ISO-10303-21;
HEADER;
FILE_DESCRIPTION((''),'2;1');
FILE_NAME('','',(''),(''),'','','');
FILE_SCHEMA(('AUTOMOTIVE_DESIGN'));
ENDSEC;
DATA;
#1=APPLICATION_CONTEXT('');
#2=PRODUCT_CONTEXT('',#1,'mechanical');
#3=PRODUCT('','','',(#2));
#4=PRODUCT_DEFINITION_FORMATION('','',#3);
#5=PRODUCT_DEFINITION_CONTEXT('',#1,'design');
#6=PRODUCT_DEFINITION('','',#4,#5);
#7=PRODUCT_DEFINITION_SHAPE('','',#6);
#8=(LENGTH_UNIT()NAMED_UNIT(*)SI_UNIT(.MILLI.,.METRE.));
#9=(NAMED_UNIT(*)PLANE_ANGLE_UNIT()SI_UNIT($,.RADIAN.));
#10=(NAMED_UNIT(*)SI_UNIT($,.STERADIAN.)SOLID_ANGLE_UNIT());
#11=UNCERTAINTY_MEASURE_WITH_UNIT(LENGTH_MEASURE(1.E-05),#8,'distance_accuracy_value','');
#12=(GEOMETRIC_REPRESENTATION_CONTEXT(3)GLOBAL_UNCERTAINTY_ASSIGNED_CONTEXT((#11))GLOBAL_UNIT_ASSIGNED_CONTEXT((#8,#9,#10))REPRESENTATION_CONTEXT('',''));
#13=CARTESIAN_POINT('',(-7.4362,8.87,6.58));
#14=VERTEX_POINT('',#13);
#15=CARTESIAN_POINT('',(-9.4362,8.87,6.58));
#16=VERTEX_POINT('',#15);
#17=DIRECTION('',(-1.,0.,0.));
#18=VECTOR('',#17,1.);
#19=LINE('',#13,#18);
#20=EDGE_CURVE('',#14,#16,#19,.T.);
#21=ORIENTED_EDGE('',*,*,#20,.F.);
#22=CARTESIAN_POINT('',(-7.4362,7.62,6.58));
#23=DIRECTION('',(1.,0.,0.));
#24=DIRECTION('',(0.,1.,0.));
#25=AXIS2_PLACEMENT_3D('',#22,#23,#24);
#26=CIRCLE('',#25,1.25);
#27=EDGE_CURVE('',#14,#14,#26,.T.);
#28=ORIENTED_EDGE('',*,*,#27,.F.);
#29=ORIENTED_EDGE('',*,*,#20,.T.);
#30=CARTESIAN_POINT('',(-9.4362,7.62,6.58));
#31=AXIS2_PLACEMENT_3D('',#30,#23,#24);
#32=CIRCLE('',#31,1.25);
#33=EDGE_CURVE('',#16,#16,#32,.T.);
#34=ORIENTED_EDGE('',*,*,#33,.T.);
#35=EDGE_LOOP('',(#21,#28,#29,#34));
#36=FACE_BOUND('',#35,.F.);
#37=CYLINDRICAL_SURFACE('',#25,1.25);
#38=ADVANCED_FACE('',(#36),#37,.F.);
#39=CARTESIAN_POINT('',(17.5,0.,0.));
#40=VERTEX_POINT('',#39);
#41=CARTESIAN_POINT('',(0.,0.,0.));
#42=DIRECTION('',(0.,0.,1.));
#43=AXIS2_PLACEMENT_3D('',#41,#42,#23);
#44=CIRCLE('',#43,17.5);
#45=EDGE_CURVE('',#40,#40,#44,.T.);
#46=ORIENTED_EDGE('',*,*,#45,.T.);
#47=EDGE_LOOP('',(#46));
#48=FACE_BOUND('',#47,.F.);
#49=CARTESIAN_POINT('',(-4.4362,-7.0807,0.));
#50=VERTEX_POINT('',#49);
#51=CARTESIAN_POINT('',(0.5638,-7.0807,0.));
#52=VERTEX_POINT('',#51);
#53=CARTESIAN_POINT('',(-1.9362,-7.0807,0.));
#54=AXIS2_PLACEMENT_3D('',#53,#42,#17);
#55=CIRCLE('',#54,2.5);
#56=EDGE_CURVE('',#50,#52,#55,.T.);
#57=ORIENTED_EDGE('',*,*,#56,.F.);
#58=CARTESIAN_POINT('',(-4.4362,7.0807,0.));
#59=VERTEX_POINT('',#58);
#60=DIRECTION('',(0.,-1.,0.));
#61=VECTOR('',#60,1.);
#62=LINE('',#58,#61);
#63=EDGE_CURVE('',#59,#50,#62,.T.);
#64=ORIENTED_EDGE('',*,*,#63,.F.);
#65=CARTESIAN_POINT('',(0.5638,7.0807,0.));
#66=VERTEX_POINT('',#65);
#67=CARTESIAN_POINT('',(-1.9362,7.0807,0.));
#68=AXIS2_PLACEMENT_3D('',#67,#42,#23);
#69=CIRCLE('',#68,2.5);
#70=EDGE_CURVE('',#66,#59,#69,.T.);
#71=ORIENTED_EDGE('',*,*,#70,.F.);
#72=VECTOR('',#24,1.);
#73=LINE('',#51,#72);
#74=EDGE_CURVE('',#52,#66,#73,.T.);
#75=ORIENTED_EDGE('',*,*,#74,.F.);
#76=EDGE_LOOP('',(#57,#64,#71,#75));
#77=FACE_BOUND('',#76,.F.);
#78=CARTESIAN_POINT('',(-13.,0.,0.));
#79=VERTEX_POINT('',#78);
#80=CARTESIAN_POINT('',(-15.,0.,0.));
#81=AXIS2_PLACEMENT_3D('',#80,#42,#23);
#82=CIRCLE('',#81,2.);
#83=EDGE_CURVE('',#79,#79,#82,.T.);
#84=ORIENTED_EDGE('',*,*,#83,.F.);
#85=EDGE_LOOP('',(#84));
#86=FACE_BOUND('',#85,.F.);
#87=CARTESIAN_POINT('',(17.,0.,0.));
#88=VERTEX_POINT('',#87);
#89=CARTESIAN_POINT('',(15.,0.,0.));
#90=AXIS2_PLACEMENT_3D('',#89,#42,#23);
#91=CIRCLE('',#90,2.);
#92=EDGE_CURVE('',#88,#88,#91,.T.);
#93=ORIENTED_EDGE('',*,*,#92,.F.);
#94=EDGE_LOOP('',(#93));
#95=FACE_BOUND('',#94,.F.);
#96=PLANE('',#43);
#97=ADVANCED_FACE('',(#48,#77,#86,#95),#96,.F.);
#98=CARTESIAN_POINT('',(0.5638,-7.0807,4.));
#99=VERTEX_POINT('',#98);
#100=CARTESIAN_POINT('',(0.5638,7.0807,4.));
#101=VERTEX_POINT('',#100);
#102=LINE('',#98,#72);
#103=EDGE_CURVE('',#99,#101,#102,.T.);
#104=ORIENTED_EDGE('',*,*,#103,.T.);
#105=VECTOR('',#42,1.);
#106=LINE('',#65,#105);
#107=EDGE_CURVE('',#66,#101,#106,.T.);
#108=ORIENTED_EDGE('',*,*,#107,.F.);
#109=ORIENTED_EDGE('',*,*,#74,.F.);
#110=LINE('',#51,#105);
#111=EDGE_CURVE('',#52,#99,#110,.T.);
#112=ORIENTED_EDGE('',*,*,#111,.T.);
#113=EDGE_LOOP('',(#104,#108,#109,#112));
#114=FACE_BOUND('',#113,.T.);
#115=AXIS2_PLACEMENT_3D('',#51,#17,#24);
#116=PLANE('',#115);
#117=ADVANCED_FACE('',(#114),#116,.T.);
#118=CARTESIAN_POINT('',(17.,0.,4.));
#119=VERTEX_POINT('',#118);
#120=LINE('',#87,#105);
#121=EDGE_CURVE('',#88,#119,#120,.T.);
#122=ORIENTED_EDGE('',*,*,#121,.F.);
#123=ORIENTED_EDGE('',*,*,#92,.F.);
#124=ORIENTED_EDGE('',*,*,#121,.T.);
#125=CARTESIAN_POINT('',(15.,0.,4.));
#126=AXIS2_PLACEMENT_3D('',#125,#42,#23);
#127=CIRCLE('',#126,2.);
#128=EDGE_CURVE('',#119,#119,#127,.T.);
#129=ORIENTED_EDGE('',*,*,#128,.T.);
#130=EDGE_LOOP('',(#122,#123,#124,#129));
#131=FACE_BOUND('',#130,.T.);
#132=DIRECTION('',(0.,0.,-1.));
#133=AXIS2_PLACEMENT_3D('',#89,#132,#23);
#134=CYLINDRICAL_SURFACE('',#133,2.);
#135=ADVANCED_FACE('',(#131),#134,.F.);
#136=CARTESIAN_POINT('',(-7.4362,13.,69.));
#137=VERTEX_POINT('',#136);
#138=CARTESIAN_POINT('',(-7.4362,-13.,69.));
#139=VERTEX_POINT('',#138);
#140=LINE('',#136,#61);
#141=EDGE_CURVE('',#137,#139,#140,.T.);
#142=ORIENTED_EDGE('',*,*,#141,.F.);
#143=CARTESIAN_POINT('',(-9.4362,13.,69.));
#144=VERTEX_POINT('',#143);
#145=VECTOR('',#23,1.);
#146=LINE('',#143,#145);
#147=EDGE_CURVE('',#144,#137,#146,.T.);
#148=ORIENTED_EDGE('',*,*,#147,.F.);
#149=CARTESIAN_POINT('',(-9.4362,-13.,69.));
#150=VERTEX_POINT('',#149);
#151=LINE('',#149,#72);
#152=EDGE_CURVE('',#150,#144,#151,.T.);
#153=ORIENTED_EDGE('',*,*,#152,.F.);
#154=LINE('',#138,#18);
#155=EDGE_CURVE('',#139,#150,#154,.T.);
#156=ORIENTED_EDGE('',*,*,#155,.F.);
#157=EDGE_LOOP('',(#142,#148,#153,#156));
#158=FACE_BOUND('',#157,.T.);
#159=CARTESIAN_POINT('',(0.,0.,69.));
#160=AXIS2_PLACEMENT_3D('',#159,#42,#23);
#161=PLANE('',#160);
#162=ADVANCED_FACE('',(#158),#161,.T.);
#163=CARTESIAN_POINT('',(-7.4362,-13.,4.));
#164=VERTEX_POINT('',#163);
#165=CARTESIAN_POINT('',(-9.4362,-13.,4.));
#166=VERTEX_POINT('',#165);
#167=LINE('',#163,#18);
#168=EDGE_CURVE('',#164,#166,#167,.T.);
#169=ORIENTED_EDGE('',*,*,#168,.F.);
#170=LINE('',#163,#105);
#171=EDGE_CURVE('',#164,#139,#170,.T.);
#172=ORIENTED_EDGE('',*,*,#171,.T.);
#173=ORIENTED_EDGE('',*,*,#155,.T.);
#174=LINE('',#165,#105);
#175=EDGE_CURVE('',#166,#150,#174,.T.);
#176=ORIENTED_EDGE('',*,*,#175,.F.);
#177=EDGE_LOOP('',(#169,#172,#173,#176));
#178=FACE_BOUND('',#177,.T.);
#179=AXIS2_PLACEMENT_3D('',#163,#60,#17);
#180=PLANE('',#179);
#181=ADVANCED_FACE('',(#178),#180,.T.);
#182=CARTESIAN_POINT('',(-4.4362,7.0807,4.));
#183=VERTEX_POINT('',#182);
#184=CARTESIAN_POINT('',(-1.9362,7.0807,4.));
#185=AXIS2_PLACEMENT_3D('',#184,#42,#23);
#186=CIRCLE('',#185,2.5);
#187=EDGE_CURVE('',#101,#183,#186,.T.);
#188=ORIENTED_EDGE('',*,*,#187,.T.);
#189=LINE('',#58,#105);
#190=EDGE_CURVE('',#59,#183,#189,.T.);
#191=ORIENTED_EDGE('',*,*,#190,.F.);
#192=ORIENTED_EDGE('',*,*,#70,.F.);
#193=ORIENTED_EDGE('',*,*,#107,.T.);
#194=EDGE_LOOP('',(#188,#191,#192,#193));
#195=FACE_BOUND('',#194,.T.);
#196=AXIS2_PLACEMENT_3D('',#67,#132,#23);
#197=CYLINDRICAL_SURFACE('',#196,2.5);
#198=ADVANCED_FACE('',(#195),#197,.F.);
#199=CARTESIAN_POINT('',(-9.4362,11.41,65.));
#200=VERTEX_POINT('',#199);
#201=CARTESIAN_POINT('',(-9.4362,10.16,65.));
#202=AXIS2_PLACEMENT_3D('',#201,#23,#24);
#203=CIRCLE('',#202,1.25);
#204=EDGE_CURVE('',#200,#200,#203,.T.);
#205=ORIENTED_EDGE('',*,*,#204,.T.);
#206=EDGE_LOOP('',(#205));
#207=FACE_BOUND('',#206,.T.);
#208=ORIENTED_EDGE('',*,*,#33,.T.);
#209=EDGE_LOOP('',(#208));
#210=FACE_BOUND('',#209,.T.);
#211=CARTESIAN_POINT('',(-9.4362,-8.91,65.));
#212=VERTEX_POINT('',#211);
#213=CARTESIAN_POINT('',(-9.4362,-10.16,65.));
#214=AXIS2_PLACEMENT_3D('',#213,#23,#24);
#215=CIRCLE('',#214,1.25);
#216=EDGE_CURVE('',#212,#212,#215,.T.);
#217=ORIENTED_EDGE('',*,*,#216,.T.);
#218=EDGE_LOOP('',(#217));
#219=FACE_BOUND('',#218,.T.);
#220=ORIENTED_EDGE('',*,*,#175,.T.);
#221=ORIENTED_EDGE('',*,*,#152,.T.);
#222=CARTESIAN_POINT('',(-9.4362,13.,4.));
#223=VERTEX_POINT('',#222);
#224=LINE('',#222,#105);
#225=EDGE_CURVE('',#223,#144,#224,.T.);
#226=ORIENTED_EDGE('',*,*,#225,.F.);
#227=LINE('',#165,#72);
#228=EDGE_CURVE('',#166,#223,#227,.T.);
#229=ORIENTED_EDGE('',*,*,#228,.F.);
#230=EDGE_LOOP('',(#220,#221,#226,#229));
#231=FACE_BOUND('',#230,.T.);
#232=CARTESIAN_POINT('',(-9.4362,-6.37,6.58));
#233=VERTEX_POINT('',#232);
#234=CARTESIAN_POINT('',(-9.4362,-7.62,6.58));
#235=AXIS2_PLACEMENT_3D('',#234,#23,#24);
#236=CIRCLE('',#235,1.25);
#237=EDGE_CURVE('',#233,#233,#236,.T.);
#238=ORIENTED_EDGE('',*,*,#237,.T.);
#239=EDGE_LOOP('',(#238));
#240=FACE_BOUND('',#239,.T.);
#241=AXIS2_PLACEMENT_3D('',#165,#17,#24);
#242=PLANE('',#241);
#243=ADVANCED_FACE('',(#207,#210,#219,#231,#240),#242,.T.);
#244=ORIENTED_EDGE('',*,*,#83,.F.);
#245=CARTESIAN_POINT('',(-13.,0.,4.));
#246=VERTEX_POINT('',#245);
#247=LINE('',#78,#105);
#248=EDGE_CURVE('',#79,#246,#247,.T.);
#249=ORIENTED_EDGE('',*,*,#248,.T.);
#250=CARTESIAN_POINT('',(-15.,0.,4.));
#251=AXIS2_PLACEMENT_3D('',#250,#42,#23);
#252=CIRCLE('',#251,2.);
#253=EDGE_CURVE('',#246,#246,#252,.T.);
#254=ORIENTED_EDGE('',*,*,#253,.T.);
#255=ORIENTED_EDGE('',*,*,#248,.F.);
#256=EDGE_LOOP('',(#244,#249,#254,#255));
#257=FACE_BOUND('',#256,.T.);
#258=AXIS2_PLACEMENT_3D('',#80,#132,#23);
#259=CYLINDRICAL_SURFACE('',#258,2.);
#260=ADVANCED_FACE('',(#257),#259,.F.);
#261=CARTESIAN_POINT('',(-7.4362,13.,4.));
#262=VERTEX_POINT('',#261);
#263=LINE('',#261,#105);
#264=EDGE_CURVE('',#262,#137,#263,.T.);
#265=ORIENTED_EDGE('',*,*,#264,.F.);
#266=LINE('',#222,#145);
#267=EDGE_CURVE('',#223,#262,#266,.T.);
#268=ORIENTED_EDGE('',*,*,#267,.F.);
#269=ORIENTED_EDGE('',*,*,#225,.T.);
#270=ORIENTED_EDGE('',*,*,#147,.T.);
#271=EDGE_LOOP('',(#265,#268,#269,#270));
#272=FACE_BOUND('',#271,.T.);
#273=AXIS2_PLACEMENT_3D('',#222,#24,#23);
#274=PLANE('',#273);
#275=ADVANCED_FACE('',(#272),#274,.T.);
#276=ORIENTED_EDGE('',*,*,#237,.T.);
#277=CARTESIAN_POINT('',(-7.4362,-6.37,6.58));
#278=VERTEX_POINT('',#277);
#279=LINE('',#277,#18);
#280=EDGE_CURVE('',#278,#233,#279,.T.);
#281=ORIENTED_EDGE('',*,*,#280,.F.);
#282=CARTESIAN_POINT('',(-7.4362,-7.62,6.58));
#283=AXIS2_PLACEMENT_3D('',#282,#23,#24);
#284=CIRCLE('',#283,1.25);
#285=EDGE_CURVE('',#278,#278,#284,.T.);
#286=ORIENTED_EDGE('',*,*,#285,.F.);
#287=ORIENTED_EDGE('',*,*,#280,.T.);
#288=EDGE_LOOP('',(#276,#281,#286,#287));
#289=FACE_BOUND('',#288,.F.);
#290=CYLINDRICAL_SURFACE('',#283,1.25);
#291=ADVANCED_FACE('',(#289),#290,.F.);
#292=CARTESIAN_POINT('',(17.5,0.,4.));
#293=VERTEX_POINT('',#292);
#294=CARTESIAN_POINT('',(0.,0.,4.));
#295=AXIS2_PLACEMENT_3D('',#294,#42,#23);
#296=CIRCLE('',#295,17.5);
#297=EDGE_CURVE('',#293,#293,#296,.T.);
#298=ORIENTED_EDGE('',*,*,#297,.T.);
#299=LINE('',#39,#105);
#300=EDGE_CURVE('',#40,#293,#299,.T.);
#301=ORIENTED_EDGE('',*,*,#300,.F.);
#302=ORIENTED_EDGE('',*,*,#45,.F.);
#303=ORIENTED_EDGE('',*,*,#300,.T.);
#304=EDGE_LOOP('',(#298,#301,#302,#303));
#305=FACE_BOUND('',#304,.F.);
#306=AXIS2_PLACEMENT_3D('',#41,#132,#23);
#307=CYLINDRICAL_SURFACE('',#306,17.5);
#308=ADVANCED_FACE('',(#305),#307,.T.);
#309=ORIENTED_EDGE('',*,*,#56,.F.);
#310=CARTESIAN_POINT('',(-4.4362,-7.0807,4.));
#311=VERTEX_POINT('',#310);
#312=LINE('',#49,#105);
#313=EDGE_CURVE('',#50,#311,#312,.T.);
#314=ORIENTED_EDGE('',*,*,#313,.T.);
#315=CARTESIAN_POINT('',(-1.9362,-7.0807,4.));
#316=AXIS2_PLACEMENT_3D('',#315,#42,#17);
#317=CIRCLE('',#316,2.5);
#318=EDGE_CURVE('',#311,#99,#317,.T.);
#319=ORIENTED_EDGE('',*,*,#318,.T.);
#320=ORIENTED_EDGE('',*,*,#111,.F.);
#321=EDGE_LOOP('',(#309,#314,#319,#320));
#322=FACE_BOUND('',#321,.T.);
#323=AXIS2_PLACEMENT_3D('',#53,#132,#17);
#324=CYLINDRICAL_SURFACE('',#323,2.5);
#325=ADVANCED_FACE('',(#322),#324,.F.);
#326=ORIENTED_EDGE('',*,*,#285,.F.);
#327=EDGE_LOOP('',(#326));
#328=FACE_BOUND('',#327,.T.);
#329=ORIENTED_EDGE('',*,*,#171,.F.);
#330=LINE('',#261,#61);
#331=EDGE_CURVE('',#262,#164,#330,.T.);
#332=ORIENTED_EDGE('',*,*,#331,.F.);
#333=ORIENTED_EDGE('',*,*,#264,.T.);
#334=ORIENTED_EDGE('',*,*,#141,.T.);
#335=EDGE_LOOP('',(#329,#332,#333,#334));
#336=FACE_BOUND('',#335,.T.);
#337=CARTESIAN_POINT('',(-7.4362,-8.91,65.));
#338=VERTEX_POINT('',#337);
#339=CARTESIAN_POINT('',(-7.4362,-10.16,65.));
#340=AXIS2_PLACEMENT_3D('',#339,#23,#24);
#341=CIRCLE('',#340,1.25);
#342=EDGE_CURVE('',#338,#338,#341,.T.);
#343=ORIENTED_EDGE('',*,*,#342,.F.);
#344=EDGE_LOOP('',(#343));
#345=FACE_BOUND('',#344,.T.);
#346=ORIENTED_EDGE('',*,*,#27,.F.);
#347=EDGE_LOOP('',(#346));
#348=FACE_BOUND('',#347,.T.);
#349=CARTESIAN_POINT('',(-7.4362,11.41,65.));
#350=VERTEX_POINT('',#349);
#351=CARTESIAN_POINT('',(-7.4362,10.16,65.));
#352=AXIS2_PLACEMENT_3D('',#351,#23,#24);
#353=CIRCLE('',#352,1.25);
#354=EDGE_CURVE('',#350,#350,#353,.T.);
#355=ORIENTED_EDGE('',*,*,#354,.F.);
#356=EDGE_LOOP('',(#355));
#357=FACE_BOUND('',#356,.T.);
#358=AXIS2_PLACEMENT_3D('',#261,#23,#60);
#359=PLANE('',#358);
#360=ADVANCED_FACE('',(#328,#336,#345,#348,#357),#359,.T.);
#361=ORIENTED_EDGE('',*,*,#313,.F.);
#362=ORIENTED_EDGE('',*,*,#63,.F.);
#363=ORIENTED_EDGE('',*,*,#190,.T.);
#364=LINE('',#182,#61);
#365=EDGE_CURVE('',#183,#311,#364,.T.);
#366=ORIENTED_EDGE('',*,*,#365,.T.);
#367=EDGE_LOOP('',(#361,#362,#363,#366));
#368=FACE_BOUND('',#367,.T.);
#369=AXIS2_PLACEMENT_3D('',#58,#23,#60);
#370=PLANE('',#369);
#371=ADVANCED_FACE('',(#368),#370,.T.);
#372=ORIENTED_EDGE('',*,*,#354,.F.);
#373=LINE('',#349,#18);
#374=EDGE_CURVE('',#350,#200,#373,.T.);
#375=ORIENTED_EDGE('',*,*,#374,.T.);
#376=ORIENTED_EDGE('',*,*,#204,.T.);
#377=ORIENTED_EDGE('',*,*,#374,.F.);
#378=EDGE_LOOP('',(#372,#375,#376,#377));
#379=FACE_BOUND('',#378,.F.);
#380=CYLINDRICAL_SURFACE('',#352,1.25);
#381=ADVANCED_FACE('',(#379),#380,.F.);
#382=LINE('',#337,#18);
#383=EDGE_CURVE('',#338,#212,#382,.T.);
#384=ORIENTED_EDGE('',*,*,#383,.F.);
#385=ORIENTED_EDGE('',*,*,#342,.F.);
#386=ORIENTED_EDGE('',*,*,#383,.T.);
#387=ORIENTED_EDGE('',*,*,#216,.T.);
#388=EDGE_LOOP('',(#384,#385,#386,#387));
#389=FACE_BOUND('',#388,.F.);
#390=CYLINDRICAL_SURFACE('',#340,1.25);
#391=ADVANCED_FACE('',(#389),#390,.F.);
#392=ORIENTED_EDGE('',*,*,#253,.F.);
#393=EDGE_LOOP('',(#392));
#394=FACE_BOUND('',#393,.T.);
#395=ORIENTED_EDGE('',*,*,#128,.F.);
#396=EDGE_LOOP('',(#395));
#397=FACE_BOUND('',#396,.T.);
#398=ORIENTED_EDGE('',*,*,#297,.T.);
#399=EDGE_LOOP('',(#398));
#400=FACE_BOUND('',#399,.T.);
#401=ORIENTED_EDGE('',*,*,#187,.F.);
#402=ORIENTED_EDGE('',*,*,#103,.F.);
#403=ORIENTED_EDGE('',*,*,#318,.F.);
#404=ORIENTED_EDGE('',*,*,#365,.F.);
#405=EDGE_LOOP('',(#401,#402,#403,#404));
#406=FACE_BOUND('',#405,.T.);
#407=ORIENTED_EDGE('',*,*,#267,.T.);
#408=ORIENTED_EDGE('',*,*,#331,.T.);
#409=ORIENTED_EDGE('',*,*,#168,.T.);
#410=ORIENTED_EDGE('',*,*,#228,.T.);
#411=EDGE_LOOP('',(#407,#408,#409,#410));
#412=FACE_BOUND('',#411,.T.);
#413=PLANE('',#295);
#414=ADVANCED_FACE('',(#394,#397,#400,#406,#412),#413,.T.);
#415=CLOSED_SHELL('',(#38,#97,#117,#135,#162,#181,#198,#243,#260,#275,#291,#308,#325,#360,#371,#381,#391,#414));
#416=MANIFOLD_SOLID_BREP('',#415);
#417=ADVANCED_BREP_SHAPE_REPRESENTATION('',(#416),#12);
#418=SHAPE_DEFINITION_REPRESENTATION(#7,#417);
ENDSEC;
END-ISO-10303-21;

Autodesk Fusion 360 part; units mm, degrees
sketch "Base" plane through (0, 0, 0) normal (0, 0, 1) x (1, 0, 0)
  circle A0 centre (0, 0) radius 17.5
  circle A1 centre (-15, 0) radius 2
  circle A2 centre (15, 0) radius 2
  line L0 (0.5638, -7.0807) -> (0.5638, 7.0807)
  arc A3 (0.5638, 7.0807) -> (-4.4362, 7.0807) centre (-1.9362, 7.0807) ccw
  line L1 (-4.4362, 7.0807) -> (-4.4362, -7.0807)
  arc A4 (-4.4362, -7.0807) -> (0.5638, -7.0807) centre (-1.9362, -7.0807) ccw
  line L2 (-1.9362, -7.0807) -> (-1.9362, 7.0807) construction
  point P0 (-1.9362, 0)
  dimension "d1" = 35
  dimension "d2" = 4
  dimension "d3" = 4
  dimension "d4" = 15
  dimension "d5" = 15
  dimension "d6" = 5
extrude "Extrude1" add sketch "Base" along normal blind 4
sketch "Board Bed" plane through (0, 0, 4) normal (0, 0, 1) x (1, 0, 0)
  line L0 (-9.4362, 13) -> (-7.4362, 13)
  line L1 (-7.4362, 13) -> (-7.4362, -13)
  line L2 (-7.4362, -13) -> (-9.4362, -13)
  line L3 (-9.4362, -13) -> (-9.4362, 13)
  circle A0 centre (-15, 0) radius 2
  arc A1 (-4.4362, -7.0807) -> (0.5638, -7.0807) centre (-1.9362, -7.0807) ccw
  line L4 (-4.4362, -7.0807) -> (-4.4362, 7.0807)
  arc A2 (0.5638, 7.0807) -> (-4.4362, 7.0807) centre (-1.9362, 7.0807) ccw
  line L5 (0.5638, 7.0807) -> (0.5638, -7.0807)
  circle A3 centre (15, 0) radius 2
  circle A4 centre (0, 0) radius 17.5
  dimension "d9" = 26
  dimension "d10" = 13
  dimension "d13" = 3
extrude "Extrude2" add sketch "Board Bed" along normal blind 65 contours L0 L1 L2 L3
sketch "Sketch4" plane through (-7.4362, 0, 0) normal (1, 0, 0) x (0, 1, 0)
  line L0 (-13, 4) -> (13, 4)
  line L1 (13, 4) -> (13, 69)
  line L2 (13, 69) -> (-13, 69)
  line L3 (-13, 69) -> (-13, 4)
  circle A0 centre (7.62, 6.58) radius 1.25
  circle A1 centre (-7.62, 6.58) radius 1.25
  circle A2 centre (-10.16, 65) radius 1.25
  circle A3 centre (10.16, 65) radius 1.25
  dimension "d14" = 2.5
  dimension "d15" = 2.5
  dimension "d16" = 15.24
  dimension "d17" = 7.62
  dimension "d18" = 2.5
  dimension "d19" = 2.5
  dimension "d20" = 10.16
  dimension "d21" = 10.16
  dimension "d22" = 20.32
  dimension "d25" = 58.42
  dimension "d26" = 58.42
  dimension "d28" = 2.58
  dimension "d29" = 2.58
extrude "Extrude3" cut sketch "Sketch4" against normal blind 5 contours A0 | A1 | A2 | A3
